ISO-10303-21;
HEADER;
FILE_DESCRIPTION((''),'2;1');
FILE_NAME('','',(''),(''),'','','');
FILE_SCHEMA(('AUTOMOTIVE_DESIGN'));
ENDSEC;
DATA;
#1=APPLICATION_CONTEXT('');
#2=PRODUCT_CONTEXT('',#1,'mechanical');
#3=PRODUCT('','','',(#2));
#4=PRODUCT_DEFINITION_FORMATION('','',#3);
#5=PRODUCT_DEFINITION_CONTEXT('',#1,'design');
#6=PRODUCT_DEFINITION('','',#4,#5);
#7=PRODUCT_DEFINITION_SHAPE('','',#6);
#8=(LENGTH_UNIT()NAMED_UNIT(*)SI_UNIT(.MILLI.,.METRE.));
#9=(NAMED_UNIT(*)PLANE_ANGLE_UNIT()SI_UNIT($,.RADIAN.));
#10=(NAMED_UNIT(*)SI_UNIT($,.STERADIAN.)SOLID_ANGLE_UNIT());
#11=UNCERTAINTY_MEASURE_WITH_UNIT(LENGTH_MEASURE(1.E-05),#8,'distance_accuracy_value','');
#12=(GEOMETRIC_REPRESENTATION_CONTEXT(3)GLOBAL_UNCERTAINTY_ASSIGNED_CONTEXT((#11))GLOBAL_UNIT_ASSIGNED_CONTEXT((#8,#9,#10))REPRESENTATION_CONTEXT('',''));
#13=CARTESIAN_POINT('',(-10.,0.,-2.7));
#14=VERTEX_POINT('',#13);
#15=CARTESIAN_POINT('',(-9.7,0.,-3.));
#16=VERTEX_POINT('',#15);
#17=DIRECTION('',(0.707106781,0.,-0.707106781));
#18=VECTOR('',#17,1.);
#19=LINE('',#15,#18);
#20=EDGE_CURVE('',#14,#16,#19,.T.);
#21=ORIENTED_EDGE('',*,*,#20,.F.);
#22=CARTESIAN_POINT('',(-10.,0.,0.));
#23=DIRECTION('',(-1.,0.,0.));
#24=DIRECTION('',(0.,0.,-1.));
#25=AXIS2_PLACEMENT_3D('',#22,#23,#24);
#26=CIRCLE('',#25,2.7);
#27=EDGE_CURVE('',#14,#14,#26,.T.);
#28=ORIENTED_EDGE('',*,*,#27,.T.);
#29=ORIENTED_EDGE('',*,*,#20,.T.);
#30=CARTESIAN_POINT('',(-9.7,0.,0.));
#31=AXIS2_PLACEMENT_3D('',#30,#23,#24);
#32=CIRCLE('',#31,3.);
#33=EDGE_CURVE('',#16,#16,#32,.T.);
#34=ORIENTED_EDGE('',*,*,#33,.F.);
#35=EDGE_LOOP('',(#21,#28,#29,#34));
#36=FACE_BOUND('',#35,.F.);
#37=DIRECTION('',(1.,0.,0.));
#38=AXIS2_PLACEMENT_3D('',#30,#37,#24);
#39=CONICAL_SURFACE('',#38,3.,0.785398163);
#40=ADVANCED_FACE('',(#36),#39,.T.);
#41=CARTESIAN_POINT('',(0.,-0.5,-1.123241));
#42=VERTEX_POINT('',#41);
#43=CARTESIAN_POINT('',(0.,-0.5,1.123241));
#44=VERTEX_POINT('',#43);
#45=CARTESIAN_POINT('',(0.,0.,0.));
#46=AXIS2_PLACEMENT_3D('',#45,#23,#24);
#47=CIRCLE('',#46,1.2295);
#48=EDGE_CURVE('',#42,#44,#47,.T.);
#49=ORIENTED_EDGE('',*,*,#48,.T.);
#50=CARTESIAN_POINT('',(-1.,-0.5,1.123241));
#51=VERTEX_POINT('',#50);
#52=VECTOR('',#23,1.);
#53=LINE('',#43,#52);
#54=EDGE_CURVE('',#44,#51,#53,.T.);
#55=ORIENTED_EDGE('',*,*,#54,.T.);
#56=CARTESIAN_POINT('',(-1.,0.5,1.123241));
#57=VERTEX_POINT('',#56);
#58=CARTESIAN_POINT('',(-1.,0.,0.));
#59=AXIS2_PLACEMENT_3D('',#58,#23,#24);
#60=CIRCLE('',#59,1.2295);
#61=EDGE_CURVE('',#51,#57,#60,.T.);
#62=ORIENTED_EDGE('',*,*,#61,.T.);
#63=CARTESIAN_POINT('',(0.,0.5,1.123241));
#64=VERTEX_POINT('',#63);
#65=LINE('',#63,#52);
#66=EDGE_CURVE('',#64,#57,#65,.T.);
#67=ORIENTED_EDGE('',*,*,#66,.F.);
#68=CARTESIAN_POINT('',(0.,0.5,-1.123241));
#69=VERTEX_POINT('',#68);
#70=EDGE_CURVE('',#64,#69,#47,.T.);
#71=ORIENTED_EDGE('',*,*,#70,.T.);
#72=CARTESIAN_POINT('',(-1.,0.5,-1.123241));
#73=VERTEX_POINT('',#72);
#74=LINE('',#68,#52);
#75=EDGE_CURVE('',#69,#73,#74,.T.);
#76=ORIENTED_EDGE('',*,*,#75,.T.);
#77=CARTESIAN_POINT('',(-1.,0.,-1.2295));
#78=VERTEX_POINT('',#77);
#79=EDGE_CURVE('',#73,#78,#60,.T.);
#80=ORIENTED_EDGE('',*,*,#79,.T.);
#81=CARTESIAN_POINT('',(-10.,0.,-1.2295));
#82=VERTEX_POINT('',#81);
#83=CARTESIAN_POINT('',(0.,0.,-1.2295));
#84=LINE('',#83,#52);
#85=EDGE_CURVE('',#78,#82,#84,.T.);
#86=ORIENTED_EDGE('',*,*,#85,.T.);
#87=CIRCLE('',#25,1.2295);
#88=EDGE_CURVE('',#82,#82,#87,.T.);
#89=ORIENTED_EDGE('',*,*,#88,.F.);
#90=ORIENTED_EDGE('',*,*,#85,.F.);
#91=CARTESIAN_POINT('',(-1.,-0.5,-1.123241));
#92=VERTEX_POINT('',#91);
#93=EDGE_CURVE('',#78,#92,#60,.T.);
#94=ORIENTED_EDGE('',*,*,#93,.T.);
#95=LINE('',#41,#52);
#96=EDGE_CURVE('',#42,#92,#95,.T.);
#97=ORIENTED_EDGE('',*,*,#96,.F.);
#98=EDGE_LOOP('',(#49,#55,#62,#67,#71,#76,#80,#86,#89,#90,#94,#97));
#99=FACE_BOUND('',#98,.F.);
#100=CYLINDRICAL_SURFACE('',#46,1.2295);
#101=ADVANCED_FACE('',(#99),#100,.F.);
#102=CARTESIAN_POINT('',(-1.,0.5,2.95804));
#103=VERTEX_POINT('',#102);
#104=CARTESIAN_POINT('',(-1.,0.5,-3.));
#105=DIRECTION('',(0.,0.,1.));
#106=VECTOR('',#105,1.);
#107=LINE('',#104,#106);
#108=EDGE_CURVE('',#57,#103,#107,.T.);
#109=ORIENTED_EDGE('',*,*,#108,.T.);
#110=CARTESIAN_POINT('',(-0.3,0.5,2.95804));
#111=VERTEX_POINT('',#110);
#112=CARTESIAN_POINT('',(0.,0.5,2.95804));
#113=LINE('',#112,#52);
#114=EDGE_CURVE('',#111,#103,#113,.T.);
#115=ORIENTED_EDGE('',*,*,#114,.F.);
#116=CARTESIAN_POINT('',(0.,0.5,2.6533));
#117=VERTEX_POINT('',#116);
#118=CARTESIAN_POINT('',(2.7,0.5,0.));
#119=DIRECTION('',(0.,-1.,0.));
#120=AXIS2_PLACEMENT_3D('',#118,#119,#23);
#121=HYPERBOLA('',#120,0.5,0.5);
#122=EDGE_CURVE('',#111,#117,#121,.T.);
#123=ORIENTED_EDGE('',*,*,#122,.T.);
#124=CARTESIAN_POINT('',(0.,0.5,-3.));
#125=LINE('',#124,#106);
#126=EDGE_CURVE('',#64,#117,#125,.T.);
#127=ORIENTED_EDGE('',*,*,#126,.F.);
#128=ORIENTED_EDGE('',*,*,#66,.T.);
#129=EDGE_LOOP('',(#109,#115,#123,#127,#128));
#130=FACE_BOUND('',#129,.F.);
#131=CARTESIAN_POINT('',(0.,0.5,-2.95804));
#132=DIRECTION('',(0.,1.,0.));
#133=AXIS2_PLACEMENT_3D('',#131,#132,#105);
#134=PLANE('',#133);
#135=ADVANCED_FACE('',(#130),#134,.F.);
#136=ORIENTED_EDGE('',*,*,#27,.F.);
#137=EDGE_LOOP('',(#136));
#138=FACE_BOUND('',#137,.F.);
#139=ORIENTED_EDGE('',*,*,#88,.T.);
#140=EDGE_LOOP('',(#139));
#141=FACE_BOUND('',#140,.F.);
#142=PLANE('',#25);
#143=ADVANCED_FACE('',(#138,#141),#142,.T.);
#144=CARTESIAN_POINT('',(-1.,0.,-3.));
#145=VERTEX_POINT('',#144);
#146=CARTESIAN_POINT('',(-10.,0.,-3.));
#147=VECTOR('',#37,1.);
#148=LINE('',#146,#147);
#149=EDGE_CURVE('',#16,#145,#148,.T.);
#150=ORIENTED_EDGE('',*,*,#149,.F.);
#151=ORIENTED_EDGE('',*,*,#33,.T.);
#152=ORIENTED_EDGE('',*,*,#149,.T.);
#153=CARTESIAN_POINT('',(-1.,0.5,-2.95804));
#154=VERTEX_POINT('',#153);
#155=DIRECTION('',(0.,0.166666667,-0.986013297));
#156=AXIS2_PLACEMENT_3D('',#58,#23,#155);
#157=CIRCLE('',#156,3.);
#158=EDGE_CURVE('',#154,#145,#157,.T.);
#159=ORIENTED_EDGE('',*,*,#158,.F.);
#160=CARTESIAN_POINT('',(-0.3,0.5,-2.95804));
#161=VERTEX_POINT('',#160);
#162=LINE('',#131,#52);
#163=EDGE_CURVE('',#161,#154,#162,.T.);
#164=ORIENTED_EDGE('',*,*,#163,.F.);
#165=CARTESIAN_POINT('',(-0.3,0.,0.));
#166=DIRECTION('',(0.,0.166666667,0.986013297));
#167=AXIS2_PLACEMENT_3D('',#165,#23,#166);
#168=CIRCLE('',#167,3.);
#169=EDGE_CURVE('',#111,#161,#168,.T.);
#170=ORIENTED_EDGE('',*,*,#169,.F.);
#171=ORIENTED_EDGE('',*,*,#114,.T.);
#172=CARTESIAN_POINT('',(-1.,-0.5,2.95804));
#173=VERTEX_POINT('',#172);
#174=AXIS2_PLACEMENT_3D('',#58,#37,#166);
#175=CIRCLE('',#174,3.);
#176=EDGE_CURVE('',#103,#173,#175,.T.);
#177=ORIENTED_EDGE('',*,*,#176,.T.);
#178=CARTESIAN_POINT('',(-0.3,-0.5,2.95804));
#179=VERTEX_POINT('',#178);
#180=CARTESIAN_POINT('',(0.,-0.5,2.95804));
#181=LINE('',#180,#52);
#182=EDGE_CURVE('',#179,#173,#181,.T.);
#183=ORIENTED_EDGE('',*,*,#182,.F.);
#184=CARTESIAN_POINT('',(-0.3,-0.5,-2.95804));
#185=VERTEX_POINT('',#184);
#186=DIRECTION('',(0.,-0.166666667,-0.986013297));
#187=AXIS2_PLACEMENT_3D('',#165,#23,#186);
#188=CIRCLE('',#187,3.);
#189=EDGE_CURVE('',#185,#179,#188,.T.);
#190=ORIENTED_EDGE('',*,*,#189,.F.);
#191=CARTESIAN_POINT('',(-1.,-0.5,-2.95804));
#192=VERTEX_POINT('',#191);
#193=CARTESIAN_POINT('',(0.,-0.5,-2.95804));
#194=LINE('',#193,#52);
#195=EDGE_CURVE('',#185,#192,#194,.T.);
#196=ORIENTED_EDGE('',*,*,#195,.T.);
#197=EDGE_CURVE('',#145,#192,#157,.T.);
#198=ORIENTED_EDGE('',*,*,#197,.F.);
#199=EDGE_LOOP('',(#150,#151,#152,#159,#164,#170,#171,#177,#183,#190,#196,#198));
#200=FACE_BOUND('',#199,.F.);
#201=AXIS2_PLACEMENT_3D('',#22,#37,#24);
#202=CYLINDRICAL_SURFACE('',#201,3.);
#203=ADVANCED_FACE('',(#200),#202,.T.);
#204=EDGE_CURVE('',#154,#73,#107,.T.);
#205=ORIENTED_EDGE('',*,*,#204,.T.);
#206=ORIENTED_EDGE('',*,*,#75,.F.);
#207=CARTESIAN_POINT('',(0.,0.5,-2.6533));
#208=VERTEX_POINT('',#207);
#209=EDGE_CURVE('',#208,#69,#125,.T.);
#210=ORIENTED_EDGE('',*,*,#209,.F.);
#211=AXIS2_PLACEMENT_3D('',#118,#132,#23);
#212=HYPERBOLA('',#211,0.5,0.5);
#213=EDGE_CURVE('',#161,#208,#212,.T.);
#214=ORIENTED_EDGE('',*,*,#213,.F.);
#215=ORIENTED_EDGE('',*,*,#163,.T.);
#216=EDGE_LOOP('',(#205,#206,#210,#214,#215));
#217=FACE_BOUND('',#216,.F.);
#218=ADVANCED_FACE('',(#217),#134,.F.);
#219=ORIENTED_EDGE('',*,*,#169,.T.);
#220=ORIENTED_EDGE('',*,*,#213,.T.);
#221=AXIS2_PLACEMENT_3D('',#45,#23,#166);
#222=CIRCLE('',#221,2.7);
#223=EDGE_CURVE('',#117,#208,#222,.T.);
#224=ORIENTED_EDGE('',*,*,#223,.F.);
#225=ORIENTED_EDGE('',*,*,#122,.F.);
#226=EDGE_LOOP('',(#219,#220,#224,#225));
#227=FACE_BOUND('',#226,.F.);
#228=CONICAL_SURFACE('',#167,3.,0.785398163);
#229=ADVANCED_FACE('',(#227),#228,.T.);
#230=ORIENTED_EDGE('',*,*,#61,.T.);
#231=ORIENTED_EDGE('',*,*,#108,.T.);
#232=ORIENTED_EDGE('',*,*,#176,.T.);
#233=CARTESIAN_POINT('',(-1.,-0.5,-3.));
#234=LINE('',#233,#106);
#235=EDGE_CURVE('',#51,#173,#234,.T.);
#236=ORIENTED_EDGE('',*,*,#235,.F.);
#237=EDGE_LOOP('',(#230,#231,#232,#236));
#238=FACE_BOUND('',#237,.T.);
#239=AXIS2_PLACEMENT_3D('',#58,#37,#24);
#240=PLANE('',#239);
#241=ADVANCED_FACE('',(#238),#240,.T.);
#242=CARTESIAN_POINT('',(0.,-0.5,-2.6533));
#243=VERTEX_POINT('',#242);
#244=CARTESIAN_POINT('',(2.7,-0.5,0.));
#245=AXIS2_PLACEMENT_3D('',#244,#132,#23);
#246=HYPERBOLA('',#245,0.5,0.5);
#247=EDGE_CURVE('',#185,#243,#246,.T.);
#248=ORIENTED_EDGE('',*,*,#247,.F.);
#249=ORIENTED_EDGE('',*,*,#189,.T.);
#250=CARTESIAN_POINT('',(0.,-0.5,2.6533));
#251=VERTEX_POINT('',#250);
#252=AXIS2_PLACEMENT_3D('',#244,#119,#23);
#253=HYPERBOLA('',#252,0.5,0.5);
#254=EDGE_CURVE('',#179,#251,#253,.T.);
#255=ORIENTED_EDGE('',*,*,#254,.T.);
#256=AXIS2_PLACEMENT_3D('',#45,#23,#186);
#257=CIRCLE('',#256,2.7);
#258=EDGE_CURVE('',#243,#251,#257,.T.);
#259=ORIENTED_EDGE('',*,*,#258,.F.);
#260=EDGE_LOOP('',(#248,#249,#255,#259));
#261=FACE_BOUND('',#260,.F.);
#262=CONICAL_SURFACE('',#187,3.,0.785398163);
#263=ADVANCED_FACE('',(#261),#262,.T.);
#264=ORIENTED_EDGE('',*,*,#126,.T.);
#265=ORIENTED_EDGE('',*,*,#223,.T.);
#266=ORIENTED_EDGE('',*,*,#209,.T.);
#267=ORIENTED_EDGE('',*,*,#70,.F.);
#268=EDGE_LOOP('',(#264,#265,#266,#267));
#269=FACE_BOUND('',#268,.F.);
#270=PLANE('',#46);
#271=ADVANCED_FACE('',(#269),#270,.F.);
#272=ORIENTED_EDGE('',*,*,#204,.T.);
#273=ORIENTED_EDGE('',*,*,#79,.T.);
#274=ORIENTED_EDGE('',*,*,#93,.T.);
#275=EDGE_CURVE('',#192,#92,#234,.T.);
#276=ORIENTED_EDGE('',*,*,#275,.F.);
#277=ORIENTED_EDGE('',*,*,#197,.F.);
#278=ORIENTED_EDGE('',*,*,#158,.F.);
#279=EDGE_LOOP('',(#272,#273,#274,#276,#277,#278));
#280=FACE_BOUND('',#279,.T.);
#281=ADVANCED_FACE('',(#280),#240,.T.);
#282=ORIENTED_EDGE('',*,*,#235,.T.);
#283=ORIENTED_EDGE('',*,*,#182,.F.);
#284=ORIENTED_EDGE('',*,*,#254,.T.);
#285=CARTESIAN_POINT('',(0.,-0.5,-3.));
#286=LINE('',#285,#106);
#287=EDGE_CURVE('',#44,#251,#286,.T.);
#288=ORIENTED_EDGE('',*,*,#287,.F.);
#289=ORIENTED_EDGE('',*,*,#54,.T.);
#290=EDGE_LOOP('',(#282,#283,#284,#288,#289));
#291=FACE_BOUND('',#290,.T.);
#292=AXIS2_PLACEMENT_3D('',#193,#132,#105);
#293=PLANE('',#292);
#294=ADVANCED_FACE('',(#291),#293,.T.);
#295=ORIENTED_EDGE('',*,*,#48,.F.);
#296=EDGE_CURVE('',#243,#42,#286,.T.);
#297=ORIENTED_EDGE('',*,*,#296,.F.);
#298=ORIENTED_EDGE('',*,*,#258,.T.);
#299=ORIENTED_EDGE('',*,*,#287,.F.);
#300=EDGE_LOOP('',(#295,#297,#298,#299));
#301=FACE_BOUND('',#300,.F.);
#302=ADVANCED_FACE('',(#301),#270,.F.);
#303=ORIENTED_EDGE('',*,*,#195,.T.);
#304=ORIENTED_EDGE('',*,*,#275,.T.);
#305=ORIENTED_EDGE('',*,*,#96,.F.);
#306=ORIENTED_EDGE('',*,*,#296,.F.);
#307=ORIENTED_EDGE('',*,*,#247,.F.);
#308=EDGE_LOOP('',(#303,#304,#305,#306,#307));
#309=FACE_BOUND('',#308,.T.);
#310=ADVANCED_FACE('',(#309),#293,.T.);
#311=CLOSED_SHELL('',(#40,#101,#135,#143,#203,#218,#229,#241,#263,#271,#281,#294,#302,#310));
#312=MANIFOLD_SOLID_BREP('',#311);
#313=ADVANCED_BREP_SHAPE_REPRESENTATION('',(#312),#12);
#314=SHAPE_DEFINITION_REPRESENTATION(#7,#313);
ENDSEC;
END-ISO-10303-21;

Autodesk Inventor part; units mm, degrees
ref_plane "YZ Plane" through (0, 0, 0) normal (1, 0, 0) x (0, 1, 0)
ref_plane "XZ Plane" through (0, 0, 0) normal (0, 1, 0) x (-1, 0, 0)
ref_plane "XY Plane" through (0, 0, 0) normal (0, 0, 1) x (1, 0, 0)
sketch "スケッチ1" plane through (0, 0, 0) normal (0, 1, 0) x (-1, 0, 0)
  line L0 (0, 0) -> (10, 0)
  line L1 (10, 0) -> (10, -3)
  line L2 (10, -3) -> (0, -3)
  line L3 (0, -3) -> (0, 0)
  dimension "d0" = 10
  dimension "d1" = 3
revolve "回転1" add sketch "スケッチ1" angle 360 about axis through (0, 0, 0) along (-1, 0, 0)
sketch "スケッチ2" plane through (0, 0, 0) normal (1, 0, 0) x (0, 0, -1)
  point P0 (0, 0)
  point P1 (0, 0)
hole "穴1" at (0, 0, 0) direction (-1, 0, 0) diameter 2.459 end through all thread size "M3x0.5" class "6H" standard "ANSI Metric M Profile"
sketch "スケッチ3" plane through (0, 0, 0) normal (1, 0, 0) x (0, 0, -1)
  circle A0 centre (0, 0) radius 3 projected
  line L0 (3, 0) -> (-3, 0)
  line L1 (3, -0.5) -> (-3, -0.5)
  line L2 (3, 0.5) -> (-3, 0.5)
  line L3 (3, 0.5) -> (3, -0.5)
  line L4 (-3, 0.5) -> (-3, -0.5)
  point P0 (-2.958, -0.5)
  point P1 (2.958, -0.5)
  point P2 (2.958, 0.5)
  point P3 (-2.958, 0.5)
  dimension "d10" = 0.5
extrude "押し出し1" cut sketch "スケッチ3" against normal blind 1 contours L0 A0 L2 | A0 L1 L0
chamfer "面取り1" distance 0.3 angle 45 3 edges at (-10, 0, 3) (0, 3, 0) (0, -3, 0)
properties part number "ARU-3010S" material "ステンレス鋼 440C"
